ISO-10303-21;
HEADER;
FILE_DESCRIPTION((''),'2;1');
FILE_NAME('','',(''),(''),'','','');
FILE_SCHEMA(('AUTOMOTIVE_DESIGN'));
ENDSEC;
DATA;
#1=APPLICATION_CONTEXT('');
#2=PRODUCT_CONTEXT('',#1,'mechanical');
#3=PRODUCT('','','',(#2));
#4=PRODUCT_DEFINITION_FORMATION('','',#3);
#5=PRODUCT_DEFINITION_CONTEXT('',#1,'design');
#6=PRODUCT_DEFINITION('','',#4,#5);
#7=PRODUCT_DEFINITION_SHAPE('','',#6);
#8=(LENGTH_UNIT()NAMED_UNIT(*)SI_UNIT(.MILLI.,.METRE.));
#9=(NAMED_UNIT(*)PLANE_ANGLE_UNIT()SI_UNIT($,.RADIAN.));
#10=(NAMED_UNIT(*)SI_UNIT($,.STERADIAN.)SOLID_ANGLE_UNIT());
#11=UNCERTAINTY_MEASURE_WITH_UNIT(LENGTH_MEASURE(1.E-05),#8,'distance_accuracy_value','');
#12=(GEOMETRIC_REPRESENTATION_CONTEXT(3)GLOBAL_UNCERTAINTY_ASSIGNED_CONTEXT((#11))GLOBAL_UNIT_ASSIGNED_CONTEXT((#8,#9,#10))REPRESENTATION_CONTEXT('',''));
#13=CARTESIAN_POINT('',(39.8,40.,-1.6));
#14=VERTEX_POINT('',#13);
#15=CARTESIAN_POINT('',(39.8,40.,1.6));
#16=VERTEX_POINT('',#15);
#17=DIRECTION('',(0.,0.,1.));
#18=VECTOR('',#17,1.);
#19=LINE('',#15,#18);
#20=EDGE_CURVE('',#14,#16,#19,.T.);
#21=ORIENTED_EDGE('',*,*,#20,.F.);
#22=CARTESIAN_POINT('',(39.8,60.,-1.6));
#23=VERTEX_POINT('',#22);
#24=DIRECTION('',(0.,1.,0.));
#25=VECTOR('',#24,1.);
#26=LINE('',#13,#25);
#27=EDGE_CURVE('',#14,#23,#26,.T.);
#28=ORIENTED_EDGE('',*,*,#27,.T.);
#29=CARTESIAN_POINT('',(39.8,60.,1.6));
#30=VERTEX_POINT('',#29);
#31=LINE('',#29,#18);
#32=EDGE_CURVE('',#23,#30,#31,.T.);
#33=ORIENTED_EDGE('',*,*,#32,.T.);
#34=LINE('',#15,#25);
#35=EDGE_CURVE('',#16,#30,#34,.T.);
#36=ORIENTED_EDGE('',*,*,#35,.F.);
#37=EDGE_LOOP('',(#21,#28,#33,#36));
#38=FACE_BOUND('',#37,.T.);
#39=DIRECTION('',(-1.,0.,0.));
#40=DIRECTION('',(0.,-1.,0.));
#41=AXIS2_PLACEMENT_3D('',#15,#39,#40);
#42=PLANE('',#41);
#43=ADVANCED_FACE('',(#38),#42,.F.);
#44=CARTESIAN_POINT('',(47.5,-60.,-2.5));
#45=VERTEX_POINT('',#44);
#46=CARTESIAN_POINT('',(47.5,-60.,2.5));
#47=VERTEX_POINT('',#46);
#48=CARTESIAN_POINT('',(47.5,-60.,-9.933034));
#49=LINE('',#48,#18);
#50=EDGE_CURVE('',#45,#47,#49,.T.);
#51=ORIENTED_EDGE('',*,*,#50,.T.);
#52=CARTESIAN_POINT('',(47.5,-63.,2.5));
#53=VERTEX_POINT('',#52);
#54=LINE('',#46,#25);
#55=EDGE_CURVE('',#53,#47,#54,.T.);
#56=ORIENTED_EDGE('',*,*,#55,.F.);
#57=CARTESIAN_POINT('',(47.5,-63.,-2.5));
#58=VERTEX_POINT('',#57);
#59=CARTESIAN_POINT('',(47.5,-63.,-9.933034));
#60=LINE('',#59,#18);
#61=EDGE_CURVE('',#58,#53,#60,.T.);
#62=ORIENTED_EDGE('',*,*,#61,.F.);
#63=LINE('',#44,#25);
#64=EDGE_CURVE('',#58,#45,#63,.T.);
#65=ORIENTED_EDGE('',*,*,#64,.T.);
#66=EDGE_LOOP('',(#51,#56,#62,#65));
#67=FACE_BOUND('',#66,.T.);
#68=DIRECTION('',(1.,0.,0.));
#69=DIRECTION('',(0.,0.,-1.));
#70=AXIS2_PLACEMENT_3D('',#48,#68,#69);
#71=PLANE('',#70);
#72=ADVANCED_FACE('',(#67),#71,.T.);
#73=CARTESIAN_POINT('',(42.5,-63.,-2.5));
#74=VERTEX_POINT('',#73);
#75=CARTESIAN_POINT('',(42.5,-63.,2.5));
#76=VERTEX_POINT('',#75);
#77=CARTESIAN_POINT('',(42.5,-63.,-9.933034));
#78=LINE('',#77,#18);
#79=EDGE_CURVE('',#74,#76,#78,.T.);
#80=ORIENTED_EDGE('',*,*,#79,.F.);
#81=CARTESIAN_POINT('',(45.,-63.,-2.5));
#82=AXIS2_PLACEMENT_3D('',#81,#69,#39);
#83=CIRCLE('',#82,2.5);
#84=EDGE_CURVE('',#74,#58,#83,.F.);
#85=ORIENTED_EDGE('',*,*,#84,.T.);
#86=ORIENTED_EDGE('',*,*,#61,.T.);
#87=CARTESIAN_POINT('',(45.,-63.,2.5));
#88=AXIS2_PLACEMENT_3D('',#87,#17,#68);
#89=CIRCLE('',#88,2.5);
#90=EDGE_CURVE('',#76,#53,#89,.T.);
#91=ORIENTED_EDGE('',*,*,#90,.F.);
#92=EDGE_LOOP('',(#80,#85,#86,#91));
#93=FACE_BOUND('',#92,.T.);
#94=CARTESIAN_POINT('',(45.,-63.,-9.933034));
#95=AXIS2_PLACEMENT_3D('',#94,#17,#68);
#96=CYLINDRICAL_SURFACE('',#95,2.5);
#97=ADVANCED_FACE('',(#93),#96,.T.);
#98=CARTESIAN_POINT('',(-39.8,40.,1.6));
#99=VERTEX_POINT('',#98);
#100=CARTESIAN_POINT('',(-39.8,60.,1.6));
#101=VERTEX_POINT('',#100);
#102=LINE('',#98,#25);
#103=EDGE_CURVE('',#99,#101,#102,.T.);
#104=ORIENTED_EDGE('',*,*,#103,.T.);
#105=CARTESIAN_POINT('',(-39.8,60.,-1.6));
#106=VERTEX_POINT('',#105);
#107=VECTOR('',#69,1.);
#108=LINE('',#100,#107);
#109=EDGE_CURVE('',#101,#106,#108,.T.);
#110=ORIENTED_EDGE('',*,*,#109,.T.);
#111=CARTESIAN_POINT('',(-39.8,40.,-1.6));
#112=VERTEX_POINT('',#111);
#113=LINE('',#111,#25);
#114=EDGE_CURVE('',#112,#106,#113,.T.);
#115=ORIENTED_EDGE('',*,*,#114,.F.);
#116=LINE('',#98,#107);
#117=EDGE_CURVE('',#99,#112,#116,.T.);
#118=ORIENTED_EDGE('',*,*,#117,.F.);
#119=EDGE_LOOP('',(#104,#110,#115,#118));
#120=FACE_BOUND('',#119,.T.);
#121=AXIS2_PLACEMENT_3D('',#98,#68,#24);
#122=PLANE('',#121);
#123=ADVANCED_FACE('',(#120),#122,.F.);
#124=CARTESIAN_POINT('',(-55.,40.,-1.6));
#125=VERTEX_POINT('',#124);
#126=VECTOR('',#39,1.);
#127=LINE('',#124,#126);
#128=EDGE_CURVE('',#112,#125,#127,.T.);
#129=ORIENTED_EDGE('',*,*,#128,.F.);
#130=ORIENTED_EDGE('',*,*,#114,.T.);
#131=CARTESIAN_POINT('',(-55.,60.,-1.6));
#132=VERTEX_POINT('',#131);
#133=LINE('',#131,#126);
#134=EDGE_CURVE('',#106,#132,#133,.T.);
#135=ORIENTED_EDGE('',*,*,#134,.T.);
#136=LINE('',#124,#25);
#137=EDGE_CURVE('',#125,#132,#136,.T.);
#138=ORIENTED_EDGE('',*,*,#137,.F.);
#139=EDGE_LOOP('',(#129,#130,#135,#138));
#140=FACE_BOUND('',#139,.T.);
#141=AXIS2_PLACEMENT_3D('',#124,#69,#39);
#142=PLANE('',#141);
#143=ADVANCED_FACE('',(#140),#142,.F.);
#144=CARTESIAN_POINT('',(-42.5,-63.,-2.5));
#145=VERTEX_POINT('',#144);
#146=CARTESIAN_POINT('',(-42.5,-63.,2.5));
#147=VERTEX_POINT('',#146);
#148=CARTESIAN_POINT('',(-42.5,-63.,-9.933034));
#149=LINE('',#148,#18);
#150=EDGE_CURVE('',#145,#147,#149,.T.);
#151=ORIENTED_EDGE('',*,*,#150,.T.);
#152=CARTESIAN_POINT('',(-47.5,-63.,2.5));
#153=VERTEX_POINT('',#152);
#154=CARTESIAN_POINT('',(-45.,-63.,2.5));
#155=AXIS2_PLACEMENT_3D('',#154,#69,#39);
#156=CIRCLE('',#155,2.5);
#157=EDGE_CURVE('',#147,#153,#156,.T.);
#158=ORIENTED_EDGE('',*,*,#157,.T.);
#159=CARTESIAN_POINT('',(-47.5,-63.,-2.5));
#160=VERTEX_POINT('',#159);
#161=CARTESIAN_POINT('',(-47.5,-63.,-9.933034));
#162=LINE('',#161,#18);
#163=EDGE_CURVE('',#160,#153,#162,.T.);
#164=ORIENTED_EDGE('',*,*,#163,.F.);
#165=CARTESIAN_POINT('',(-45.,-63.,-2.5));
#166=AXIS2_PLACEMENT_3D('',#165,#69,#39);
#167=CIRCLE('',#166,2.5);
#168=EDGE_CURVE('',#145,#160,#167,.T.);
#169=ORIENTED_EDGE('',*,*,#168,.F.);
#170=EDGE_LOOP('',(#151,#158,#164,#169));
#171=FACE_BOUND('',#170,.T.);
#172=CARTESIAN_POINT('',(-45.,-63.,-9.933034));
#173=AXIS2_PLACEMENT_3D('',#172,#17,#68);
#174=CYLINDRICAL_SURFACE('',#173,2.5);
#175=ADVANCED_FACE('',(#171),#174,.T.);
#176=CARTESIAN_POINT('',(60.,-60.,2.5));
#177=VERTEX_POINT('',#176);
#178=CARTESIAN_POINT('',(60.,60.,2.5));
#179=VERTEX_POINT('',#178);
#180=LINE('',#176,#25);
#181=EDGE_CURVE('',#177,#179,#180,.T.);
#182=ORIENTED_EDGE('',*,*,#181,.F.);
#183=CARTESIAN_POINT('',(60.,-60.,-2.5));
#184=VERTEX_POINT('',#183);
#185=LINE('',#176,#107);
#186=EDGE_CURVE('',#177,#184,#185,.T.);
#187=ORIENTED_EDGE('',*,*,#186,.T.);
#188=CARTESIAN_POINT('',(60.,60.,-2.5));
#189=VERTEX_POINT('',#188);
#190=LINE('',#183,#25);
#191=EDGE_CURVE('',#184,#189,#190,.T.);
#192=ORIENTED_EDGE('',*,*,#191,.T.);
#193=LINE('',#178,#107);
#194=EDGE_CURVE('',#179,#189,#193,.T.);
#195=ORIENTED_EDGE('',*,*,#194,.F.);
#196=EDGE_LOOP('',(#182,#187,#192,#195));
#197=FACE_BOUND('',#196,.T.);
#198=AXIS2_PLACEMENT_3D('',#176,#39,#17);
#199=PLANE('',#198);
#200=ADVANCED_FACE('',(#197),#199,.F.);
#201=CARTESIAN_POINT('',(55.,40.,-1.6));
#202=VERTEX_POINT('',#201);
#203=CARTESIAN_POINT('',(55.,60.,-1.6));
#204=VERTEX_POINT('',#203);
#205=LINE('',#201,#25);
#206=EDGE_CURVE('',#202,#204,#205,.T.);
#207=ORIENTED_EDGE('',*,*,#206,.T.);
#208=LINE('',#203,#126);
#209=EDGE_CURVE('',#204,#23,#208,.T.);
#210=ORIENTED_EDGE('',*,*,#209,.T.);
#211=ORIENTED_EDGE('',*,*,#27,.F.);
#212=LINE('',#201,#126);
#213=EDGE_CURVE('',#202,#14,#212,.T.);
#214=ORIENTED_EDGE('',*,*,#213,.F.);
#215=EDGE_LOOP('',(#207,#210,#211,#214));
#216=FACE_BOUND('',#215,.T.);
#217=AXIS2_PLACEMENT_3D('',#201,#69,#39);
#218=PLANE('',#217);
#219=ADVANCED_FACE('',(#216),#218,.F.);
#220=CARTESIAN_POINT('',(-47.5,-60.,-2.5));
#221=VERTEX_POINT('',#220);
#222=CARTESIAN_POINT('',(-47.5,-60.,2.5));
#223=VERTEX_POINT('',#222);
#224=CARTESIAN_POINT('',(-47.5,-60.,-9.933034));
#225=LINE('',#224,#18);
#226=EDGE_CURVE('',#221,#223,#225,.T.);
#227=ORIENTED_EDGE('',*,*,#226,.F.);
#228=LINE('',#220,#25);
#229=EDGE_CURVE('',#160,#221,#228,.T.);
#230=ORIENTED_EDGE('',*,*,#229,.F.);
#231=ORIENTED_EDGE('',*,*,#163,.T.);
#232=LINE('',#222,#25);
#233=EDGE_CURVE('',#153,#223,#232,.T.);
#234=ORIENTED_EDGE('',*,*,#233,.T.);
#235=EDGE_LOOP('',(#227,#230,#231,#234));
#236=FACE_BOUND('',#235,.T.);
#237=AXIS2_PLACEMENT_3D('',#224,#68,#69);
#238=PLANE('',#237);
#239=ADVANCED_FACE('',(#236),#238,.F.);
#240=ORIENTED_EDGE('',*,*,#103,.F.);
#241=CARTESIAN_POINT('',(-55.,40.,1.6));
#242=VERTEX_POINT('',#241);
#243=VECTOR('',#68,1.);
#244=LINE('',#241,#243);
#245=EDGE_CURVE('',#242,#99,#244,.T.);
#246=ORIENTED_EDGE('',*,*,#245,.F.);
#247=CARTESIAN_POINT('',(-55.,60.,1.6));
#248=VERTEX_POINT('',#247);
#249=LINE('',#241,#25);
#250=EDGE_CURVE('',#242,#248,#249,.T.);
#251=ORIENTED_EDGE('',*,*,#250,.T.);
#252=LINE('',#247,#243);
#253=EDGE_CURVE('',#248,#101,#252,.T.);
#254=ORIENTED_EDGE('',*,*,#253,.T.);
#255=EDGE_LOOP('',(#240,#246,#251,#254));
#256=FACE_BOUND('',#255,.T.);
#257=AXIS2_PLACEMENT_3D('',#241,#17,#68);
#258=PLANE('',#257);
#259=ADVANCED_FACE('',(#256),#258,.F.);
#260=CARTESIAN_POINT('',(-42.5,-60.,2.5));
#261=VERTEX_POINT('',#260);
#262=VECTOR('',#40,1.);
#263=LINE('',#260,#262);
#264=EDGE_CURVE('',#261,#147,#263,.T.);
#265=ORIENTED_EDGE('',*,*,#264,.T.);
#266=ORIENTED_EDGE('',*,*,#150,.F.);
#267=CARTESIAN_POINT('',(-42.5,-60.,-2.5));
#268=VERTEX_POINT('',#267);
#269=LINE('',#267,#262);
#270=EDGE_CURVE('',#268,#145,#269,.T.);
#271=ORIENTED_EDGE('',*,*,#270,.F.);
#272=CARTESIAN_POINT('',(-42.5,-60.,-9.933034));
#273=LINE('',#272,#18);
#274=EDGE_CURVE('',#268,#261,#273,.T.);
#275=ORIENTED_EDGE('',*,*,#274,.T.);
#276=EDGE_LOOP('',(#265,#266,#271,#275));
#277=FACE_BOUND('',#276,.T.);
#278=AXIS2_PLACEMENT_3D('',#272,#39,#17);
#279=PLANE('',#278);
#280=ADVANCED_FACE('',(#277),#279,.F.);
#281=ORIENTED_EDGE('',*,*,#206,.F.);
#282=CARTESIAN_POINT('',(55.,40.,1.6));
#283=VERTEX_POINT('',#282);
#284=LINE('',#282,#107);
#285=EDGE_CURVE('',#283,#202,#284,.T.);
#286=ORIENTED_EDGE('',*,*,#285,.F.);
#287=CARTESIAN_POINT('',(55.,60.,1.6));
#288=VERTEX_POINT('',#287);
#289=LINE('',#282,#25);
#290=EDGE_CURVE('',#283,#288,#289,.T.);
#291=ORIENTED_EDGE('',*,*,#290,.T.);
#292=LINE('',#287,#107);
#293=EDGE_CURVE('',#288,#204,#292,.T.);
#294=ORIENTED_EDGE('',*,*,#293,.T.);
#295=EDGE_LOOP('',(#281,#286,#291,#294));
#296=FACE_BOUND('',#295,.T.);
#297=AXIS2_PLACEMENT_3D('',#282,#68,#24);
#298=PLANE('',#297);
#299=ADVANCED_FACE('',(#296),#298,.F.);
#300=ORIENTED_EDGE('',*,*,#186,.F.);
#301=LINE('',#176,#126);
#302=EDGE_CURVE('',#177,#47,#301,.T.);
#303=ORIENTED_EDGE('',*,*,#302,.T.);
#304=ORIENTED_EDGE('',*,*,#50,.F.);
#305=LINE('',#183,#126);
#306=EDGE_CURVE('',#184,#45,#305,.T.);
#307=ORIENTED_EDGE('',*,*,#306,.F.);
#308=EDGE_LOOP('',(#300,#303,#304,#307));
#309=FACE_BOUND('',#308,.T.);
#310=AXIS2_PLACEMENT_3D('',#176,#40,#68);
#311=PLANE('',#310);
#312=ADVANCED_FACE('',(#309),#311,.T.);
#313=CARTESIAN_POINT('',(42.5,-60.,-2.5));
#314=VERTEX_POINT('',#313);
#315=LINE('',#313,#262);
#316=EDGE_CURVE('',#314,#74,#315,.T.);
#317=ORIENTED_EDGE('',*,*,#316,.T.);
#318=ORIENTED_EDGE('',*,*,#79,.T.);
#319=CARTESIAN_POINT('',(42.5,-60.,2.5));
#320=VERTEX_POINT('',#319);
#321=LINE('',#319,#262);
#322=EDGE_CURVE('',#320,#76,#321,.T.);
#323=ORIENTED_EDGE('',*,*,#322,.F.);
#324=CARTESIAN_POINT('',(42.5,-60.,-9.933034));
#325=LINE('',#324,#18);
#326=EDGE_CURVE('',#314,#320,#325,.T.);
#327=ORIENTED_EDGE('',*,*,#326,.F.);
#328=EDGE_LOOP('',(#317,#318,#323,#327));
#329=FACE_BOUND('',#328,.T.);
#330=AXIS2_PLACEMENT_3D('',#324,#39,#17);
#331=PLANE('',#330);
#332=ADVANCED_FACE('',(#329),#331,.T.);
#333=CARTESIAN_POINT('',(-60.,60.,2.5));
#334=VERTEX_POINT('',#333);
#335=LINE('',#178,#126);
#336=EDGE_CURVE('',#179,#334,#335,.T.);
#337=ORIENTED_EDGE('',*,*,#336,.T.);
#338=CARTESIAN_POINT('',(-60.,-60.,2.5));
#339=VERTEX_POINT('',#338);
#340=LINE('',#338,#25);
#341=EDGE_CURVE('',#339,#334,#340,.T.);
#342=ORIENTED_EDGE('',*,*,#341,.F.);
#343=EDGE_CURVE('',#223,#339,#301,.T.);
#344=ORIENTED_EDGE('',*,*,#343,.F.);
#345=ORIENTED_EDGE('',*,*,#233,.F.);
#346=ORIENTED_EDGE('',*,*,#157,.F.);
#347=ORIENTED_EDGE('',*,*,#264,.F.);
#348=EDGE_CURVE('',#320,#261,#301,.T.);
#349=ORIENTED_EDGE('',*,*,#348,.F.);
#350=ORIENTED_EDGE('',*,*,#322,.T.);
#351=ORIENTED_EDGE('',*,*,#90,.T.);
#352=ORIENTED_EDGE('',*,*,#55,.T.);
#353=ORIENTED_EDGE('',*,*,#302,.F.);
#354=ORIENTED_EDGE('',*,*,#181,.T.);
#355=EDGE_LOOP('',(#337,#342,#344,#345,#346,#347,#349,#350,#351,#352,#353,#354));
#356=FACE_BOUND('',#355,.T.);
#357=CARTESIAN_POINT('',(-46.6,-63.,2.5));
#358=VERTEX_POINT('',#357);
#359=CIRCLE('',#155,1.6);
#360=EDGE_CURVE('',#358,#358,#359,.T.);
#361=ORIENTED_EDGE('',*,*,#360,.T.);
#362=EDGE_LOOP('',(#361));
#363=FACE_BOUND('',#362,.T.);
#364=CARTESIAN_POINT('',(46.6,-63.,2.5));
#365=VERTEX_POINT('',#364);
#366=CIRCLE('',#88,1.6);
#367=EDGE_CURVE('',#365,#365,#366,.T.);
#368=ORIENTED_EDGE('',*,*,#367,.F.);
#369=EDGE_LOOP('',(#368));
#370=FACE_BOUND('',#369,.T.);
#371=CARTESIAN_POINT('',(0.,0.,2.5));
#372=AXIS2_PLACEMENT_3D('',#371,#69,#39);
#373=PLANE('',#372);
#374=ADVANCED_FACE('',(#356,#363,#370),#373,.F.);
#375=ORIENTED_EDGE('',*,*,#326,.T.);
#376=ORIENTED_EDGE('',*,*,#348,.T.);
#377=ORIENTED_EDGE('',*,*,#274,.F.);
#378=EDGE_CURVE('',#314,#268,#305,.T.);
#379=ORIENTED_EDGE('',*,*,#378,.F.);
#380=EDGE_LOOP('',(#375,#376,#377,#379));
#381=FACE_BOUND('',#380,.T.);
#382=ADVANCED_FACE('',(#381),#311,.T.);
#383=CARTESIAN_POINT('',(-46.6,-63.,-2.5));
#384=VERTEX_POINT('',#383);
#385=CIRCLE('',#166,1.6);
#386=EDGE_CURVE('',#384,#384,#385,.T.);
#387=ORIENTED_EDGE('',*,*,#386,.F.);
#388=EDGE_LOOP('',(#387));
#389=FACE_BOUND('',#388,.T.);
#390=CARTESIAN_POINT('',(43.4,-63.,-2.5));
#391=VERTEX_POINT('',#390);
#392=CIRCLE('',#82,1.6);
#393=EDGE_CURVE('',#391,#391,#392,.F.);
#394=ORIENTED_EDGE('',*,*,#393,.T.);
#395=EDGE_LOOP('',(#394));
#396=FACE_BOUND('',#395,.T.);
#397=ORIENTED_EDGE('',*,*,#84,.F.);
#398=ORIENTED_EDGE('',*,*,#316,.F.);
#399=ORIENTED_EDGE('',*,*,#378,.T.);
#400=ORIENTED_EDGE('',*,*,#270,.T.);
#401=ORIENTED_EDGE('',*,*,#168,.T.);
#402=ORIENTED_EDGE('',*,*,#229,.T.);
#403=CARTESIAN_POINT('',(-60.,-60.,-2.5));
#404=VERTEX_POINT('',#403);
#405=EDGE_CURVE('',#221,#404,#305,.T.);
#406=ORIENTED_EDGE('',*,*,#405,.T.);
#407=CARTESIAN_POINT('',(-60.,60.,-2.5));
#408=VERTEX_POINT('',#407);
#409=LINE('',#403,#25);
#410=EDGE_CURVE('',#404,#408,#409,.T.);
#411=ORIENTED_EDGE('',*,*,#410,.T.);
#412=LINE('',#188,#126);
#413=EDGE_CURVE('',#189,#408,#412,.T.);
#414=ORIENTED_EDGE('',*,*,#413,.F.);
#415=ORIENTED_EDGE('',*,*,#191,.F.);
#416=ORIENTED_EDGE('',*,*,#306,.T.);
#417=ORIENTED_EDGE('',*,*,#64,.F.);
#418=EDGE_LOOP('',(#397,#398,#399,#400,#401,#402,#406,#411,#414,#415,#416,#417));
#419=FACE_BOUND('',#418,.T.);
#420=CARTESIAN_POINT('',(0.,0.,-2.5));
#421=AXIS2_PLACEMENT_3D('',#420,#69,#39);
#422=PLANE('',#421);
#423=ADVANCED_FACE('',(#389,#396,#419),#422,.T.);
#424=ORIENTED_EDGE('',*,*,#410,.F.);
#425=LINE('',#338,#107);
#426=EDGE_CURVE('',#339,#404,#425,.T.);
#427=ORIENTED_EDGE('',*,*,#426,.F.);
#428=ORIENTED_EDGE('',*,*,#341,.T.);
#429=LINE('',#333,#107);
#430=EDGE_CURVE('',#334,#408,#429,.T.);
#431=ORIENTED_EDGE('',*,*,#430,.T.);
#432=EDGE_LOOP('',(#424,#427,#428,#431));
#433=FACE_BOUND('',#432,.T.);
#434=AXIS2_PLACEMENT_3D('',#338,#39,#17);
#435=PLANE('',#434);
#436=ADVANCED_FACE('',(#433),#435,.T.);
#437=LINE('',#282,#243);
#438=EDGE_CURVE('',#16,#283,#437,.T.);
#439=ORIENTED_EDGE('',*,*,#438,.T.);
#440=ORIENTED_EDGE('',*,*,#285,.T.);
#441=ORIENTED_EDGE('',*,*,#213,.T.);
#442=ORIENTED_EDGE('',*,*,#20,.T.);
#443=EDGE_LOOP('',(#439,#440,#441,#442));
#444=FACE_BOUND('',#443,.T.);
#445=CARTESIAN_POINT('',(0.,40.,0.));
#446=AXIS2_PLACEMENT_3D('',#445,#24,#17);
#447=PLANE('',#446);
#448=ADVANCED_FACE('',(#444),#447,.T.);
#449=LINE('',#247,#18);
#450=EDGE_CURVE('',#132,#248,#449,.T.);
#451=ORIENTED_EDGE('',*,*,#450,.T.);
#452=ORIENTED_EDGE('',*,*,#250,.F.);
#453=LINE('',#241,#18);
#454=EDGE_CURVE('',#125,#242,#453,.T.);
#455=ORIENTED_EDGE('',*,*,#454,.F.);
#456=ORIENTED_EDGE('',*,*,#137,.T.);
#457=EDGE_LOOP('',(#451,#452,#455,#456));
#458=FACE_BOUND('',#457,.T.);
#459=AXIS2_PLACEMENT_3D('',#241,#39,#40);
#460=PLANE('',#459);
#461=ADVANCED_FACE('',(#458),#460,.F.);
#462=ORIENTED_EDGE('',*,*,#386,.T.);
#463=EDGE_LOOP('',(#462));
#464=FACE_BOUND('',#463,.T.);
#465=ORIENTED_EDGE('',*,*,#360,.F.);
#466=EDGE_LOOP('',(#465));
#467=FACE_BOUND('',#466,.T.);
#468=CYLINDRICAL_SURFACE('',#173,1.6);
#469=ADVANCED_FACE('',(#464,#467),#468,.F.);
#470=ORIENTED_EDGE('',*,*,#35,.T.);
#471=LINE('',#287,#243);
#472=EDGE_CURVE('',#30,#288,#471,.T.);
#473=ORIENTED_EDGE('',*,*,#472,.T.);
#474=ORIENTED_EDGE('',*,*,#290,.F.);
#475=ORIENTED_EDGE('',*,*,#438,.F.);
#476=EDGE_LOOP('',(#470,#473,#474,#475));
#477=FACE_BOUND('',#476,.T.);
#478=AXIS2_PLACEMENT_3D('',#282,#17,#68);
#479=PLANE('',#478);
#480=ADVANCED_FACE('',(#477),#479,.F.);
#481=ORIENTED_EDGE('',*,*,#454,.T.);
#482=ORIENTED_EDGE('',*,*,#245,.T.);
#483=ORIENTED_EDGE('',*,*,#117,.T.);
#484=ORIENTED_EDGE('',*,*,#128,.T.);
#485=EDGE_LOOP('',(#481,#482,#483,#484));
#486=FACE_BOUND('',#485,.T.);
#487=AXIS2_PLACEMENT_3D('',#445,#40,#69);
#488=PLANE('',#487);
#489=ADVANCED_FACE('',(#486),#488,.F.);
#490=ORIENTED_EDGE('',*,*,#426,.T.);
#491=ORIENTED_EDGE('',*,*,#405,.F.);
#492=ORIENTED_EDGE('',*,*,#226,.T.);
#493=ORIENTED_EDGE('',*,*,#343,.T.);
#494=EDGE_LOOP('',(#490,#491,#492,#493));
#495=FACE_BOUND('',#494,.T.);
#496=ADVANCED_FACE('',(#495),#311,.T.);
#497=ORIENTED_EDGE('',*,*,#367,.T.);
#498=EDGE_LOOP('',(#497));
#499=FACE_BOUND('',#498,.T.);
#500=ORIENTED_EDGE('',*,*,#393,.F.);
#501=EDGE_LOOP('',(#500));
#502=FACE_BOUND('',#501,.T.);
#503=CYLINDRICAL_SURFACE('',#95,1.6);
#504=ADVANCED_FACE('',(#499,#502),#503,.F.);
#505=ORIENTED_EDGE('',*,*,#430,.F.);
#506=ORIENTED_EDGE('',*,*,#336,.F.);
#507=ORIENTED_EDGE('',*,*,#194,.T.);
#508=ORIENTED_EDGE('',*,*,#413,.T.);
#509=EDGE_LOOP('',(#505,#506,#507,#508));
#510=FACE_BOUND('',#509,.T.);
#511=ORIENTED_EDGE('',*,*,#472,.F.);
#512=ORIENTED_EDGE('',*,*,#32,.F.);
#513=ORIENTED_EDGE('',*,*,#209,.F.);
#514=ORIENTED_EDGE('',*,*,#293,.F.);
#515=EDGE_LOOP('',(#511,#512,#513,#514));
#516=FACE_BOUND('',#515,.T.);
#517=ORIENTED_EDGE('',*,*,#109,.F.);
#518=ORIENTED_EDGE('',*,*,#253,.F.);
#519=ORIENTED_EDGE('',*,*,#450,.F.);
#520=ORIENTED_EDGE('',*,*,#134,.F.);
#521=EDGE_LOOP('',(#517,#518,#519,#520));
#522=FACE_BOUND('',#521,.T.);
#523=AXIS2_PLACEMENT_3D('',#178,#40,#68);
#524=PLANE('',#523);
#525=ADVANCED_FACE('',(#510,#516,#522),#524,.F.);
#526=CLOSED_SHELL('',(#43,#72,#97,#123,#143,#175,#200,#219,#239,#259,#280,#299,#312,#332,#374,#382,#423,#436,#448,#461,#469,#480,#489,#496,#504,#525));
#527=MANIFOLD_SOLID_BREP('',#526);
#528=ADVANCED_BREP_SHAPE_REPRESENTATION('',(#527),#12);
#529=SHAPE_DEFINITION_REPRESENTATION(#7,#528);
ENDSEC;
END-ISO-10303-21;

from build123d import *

# Parameters (mm, degrees)
SKETCH1_W           = 120
SKETCH1_H           = 120
BOSS_EXTRUDE1_DEPTH = 2.5
SKETCH4_W           = 15.2
SKETCH4_H           = 3.2
CUT_EXTRUDE1_DEPTH  = 20
SKETCH6_R           = 1.6
BOSS_EXTRUDE2_DEPTH = 5


with BuildPart() as part:
    # Sketch1 → Boss-Extrude1 (new, symmetric)
    with BuildSketch(Plane.XY):
        Rectangle(SKETCH1_W, SKETCH1_H)
    extrude(amount=BOSS_EXTRUDE1_DEPTH, both=True)

    # Sketch4 → Cut-Extrude1 (cut)
    with BuildSketch(Plane(origin=(0, 60, 0), x_dir=(1, 0, 0), z_dir=(0, 1, 0))):
        with Locations((-47.4, 0)):
            Rectangle(SKETCH4_W, SKETCH4_H)
        with Locations((47.4, 0)):
            Rectangle(SKETCH4_W, SKETCH4_H)
    extrude(amount=-CUT_EXTRUDE1_DEPTH, mode=Mode.SUBTRACT)

    # Sketch6 → Boss-Extrude2 (add)
    with BuildSketch(Plane.XY.offset(2.5)):
        with BuildLine():
            Line((42.5, -60), (47.5, -60))
            Line((47.5, -60), (47.5, -63))
            ThreePointArc((47.5, -63), (45, -65.5), (42.5, -63))
            Line((42.5, -63), (42.5, -60))
        make_face()
        with Locations((45, -63)):
            Circle(SKETCH6_R, mode=Mode.SUBTRACT)
    boss_extrude2 = extrude(amount=-BOSS_EXTRUDE2_DEPTH)

    # Mirror1: Boss-Extrude2 across plane
    add(boss_extrude2.mirror(Plane(origin=(0, 0, 0), x_dir=(0, 0, 1), z_dir=(1, 0, 0))))


solid = part.part
